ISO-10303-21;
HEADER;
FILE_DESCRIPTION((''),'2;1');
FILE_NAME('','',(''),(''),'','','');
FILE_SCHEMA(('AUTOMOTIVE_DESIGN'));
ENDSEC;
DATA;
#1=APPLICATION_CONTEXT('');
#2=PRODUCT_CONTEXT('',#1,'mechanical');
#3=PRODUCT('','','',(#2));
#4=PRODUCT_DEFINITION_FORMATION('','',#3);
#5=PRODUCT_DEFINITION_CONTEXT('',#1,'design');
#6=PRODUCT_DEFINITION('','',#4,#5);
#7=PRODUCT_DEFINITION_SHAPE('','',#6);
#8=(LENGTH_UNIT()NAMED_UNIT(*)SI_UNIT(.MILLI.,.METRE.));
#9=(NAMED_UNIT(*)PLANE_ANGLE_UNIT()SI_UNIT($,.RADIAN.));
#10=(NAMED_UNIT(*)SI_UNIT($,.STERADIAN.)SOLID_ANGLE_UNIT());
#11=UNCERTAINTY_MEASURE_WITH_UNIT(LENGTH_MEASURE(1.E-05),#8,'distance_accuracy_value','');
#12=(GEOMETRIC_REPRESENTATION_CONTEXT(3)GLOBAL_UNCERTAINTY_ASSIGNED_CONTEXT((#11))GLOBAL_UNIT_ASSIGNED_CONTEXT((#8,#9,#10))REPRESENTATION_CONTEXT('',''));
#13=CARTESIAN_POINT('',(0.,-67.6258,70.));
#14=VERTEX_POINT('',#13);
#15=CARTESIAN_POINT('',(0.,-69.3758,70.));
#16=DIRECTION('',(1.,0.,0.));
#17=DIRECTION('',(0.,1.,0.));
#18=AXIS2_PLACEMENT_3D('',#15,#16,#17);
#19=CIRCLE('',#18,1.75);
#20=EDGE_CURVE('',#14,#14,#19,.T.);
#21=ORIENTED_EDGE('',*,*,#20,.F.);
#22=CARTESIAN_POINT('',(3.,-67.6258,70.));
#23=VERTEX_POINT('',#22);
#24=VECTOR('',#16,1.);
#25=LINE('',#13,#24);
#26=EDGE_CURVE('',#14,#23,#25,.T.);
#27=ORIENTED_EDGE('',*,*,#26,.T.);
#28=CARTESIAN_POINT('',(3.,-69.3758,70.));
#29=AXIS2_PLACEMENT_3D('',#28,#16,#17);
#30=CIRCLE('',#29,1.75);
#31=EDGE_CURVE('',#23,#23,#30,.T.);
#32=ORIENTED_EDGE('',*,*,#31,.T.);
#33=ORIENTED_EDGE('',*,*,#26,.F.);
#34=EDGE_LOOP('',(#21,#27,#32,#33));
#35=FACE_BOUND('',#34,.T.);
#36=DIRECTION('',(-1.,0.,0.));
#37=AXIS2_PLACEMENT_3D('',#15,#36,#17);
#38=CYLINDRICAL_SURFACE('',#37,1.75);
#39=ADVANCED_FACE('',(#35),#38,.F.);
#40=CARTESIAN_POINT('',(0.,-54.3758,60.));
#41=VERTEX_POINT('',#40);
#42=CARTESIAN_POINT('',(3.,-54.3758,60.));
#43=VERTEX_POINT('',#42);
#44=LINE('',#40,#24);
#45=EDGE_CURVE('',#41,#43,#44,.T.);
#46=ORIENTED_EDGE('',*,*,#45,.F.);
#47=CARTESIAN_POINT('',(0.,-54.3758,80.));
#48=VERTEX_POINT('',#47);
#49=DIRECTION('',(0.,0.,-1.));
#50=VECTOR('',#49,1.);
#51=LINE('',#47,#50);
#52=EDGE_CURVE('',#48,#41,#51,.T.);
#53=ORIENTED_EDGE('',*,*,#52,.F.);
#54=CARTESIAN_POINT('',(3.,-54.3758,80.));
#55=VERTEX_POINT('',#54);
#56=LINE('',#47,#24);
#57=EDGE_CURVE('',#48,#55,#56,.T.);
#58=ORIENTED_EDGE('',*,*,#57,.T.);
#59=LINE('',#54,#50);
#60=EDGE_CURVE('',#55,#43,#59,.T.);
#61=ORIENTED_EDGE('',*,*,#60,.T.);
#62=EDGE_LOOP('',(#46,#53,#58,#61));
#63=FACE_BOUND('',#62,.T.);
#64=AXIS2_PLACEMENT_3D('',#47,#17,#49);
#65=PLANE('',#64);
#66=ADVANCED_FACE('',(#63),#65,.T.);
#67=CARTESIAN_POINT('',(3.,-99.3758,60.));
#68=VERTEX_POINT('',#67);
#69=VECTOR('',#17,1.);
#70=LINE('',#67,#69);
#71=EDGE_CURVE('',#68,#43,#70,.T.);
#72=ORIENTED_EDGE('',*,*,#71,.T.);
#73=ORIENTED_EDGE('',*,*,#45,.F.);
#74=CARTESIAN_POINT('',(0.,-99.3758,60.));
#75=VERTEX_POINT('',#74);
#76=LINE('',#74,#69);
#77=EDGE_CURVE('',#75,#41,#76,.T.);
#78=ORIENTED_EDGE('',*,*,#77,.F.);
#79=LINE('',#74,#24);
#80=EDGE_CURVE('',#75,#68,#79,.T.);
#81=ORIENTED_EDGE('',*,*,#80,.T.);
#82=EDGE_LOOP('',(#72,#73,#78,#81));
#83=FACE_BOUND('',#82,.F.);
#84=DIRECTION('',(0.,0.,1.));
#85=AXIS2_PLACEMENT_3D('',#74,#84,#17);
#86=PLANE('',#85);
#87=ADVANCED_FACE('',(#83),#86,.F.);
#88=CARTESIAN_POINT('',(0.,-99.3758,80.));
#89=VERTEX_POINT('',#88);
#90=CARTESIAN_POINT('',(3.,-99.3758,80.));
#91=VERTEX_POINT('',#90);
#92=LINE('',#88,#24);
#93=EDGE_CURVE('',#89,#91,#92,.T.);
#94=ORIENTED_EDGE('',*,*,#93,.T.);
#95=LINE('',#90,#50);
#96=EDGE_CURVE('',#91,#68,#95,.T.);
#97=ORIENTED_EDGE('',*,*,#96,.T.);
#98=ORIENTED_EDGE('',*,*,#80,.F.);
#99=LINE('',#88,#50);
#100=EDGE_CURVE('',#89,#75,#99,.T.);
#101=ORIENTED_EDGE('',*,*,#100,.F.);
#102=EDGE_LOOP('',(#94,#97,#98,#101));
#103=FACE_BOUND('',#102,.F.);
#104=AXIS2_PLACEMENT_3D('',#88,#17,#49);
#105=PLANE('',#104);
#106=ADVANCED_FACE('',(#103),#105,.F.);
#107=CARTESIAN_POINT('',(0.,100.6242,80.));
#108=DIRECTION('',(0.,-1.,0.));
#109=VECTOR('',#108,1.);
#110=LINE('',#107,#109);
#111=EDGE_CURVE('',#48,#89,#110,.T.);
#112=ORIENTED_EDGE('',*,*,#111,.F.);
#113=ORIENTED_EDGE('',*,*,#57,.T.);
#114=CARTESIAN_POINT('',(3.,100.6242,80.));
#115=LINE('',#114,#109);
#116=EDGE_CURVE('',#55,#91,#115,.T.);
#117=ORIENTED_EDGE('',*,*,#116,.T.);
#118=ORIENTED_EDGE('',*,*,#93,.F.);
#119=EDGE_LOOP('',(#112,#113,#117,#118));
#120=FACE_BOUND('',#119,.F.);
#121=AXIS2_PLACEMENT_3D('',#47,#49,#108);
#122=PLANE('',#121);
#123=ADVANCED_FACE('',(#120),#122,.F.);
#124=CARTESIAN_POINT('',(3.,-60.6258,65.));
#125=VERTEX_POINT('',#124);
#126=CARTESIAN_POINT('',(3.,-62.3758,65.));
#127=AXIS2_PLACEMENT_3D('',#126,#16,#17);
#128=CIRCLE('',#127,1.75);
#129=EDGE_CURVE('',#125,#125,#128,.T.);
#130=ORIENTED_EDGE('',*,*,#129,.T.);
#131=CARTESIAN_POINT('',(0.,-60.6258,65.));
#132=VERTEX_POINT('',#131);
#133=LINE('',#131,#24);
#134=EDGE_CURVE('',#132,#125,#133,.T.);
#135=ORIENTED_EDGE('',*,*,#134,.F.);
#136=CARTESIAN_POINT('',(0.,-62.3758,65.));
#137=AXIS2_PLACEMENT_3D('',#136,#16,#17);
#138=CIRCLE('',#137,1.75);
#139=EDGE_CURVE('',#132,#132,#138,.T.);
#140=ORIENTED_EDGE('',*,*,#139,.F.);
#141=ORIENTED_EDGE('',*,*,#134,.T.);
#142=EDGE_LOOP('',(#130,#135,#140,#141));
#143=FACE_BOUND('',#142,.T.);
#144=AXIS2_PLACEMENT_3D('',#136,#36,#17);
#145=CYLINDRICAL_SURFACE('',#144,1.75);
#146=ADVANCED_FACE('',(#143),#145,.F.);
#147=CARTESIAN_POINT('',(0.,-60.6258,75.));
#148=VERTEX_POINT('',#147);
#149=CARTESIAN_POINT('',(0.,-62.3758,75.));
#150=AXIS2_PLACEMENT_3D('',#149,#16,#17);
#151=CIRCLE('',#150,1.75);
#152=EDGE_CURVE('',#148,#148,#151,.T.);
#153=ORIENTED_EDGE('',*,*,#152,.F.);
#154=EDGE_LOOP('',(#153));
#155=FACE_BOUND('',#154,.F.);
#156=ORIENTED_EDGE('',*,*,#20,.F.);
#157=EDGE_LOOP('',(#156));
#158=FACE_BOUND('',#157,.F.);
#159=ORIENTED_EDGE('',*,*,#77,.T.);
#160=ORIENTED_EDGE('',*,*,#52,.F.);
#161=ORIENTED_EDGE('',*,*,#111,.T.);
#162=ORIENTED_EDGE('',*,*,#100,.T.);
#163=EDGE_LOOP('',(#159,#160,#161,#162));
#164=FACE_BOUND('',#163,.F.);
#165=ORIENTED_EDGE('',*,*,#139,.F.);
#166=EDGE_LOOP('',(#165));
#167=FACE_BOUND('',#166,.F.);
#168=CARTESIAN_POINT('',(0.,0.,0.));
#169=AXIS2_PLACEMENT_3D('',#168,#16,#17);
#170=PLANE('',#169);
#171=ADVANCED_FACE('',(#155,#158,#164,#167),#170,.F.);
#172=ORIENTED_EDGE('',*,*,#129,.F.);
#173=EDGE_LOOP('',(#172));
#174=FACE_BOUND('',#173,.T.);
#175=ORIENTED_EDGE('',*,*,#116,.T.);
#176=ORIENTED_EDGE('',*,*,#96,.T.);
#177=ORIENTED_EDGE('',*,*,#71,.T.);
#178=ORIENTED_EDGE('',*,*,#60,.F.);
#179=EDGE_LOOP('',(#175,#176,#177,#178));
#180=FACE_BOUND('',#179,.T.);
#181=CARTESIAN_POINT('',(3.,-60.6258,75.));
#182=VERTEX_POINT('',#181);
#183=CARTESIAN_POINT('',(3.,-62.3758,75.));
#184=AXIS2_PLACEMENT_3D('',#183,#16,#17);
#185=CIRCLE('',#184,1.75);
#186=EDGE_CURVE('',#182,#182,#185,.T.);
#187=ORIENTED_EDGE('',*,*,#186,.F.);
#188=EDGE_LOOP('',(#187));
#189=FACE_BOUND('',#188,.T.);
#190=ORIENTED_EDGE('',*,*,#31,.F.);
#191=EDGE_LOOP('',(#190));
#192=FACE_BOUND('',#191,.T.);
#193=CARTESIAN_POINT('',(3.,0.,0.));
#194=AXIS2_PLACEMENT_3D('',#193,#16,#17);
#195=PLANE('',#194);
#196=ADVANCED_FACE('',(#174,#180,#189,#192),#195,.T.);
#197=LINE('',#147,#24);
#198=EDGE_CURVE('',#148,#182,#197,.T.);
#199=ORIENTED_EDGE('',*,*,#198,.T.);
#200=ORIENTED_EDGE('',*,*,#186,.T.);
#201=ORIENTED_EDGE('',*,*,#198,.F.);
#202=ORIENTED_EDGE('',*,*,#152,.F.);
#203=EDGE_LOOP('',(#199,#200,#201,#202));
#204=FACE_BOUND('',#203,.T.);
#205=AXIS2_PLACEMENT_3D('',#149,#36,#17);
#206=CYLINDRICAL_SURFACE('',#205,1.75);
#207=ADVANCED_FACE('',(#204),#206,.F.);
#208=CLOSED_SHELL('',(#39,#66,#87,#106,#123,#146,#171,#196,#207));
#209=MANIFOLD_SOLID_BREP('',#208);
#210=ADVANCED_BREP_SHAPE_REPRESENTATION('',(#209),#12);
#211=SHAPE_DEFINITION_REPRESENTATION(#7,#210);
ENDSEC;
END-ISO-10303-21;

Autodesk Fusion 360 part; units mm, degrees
sketch "Design sketch" plane through (0, 0, 0) normal (1, 0, 0) x (0, 1, 0)
  line L0 (100, 10) -> (-100, 10)
  line L1 (-100, 10) -> (-100, -10)
  line L2 (-100, -10) -> (100, -10)
  line L3 (100, -10) -> (100, 10)
  line L4 (100, 10) -> (-100, -10) construction
  line L5 (-100, 10) -> (100, -10) construction
  circle A0 centre (-95, 3.5) radius 1.75
  circle A1 centre (-90, -3.5) radius 1.75
  circle A2 centre (-85, 3.5) radius 1.75
  circle A3 centre (-69.3758, 70) radius 1.75
  circle A4 centre (63.6242, 65) radius 1.75
  circle A5 centre (-62.3758, 75) radius 1.75
  line L6 (-99.3758, 80) -> (100.6242, 60) construction
  line L7 (100.6242, 80) -> (-99.3758, 80)
  line L8 (-99.3758, 80) -> (-99.3758, 60)
  line L9 (100.6242, 60) -> (100.6242, 80)
  circle A6 centre (-62.3758, 65) radius 1.75
  line L10 (-99.3758, 60) -> (100.6242, 60)
  circle A7 centre (70.6242, 70) radius 1.75
  circle A8 centre (63.6242, 75) radius 1.75
  line L11 (100.6242, 80) -> (-99.3758, 60) construction
  circle A9 centre (90, -3.5) radius 1.75
  circle A10 centre (95, 3.5) radius 1.75
  circle A11 centre (85, 3.5) radius 1.75
  line L12 (100.6242, 80) -> (-99.3758, 80)
  line L13 (-54.3758, 80) -> (-54.3758, 60)
  point P0 (0.6242, 70)
  point P1 (0.6242, 70)
  dimension "d1" = 200
  dimension "d2" = 20
  dimension "d5" = 3.5
  dimension "d8" = 3.5
  dimension "d9" = 3.5
  dimension "d26" = 200
  dimension "d27" = 20
  dimension "d28" = 3.5
  dimension "d29" = 70
  dimension "d30" = 3.5
  dimension "d31" = 3.5
  dimension "d32" = 7
  dimension "d33" = 5
  dimension "d34" = 5
  dimension "d35" = 3.5
  dimension "d36" = 3.5
  dimension "d37" = 3.5
  dimension "d38" = 5
  dimension "d39" = 5
  dimension "d40" = 7
  dimension "d41" = 70
  dimension "d43" = 7
  dimension "d44" = 5
  dimension "d45" = 5
  dimension "d46" = 90
  dimension "d47" = 3.5
  dimension "d48" = 3.5
  dimension "d49" = 3.5
  dimension "d50" = 3.5
  dimension "d51" = 7
  dimension "d52" = 5
  dimension "d53" = 5
  dimension "d54" = 90
  dimension "d55" = 3.5
  dimension "d69" = 55
sketch "Laser cut ready sketch" plane through (0, 0, 0) normal (1, 0, 0) x (0, 1, 0)
  circle A0 centre (-69.3758, 70) radius 1.75
  circle A1 centre (63.6242, 65) radius 1.75
  circle A2 centre (-62.3758, 75) radius 1.75
  circle A3 centre (63.6242, 75) radius 1.75
  circle A4 centre (-62.3758, 65) radius 1.75
  circle A5 centre (70.6242, 70) radius 1.75
  line L0 (-99.3758, 80) -> (-99.3758, 60)
  line L1 (100.6242, 80) -> (-99.3758, 80)
  line L2 (100.6242, 60) -> (100.6242, 80)
  line L3 (-99.3758, 60) -> (100.6242, 60)
  circle A6 centre (-85, 3.5) radius 1.75
  circle A7 centre (85, 3.5) radius 1.75
  circle A8 centre (95, 3.5) radius 1.75
  circle A9 centre (90, -3.5) radius 1.75
  circle A10 centre (-95, 3.5) radius 1.75
  circle A11 centre (-90, -3.5) radius 1.75
  line L4 (-100, -10) -> (100, -10)
  line L5 (-100, 10) -> (-100, -10)
  line L6 (100, 10) -> (-100, 10)
  line L7 (100, -10) -> (100, 10)
extrude "Extrude6" add sketch "Design sketch" along normal blind 3 contours L7 L8 L10 L12 L13
sketch "Motor connector laser cur sketch" plane through (3, 0, 0) normal (1, 0, 0) x (0, 1, 0)
  circle A0 centre (-69.3758, 70) radius 1.75
  circle A1 centre (-62.3758, 75) radius 1.75
  circle A2 centre (-62.3758, 65) radius 1.75
  line L0 (-99.3758, 80) -> (-99.3758, 60)
  line L1 (-99.3758, 60) -> (-54.3758, 60)
  line L2 (-54.3758, 60) -> (-54.3758, 80)
  line L3 (-54.3758, 80) -> (-99.3758, 80)
  circle A3 centre (-62.3758, 65) radius 1.75
  circle A4 centre (-62.3758, 75) radius 1.75
  circle A5 centre (-69.3758, 70) radius 1.75
  line L4 (-54.3758, 80) -> (-99.3758, 80)
  line L5 (-54.3758, 80) -> (-54.3758, 60)
  line L6 (-99.3758, 60) -> (-54.3758, 60)
  line L7 (-99.3758, 80) -> (-99.3758, 60)
extrude "Extrude5" [suppressed]
extrude "Extrude2" [suppressed]
equation "d1 = width"
equation "d2 = partWidth"
equation "width = 200 mm"
equation "partWidth = 20 mm"
equation "d5 = boltHole"
equation "boltHole = 3.5 mm"
equation "d8 = boltHole"
equation "d9 = boltHole"
equation "boltTriangleHeight = 7 mm"
equation "boltTriangleWidthHalf = 5 mm"
equation "boltTriangleLongGapFromCenter = 90 mm"
equation "d26 = width"
equation "d27 = partWidth"
equation "d28 = boltHole"
equation "d29 = boltTriangleShortGapFromCenter"
equation "d30 = boltHole"
equation "d31 = boltHole"
equation "d32 = boltTriangleHeight"
equation "d33 = boltTriangleWidthHalf"
equation "d34 = boltTriangleWidthHalf"
equation "d35 = boltHole"
equation "d36 = boltHole"
equation "d37 = boltHole"
equation "d38 = boltTriangleWidthHalf"
equation "d39 = boltTriangleWidthHalf"
equation "d40 = boltTriangleHeight"
equation "d41 = boltTriangleShortGapFromCenter"
equation "boltTriangleShortGapFromCenter = 70 mm"
equation "d43 = boltTriangleHeight"
equation "d44 = boltTriangleWidthHalf"
equation "d45 = boltTriangleWidthHalf"
equation "d46 = boltTriangleLongGapFromCenter"
equation "d47 = boltTriangleHeight / 2"
equation "d48 = boltHole"
equation "d49 = boltHole"
equation "d50 = boltHole"
equation "d51 = boltTriangleHeight"
equation "d52 = boltTriangleWidthHalf"
equation "d53 = boltTriangleWidthHalf"
equation "d54 = boltTriangleLongGapFromCenter"
equation "d55 = boltTriangleHeight / 2"
